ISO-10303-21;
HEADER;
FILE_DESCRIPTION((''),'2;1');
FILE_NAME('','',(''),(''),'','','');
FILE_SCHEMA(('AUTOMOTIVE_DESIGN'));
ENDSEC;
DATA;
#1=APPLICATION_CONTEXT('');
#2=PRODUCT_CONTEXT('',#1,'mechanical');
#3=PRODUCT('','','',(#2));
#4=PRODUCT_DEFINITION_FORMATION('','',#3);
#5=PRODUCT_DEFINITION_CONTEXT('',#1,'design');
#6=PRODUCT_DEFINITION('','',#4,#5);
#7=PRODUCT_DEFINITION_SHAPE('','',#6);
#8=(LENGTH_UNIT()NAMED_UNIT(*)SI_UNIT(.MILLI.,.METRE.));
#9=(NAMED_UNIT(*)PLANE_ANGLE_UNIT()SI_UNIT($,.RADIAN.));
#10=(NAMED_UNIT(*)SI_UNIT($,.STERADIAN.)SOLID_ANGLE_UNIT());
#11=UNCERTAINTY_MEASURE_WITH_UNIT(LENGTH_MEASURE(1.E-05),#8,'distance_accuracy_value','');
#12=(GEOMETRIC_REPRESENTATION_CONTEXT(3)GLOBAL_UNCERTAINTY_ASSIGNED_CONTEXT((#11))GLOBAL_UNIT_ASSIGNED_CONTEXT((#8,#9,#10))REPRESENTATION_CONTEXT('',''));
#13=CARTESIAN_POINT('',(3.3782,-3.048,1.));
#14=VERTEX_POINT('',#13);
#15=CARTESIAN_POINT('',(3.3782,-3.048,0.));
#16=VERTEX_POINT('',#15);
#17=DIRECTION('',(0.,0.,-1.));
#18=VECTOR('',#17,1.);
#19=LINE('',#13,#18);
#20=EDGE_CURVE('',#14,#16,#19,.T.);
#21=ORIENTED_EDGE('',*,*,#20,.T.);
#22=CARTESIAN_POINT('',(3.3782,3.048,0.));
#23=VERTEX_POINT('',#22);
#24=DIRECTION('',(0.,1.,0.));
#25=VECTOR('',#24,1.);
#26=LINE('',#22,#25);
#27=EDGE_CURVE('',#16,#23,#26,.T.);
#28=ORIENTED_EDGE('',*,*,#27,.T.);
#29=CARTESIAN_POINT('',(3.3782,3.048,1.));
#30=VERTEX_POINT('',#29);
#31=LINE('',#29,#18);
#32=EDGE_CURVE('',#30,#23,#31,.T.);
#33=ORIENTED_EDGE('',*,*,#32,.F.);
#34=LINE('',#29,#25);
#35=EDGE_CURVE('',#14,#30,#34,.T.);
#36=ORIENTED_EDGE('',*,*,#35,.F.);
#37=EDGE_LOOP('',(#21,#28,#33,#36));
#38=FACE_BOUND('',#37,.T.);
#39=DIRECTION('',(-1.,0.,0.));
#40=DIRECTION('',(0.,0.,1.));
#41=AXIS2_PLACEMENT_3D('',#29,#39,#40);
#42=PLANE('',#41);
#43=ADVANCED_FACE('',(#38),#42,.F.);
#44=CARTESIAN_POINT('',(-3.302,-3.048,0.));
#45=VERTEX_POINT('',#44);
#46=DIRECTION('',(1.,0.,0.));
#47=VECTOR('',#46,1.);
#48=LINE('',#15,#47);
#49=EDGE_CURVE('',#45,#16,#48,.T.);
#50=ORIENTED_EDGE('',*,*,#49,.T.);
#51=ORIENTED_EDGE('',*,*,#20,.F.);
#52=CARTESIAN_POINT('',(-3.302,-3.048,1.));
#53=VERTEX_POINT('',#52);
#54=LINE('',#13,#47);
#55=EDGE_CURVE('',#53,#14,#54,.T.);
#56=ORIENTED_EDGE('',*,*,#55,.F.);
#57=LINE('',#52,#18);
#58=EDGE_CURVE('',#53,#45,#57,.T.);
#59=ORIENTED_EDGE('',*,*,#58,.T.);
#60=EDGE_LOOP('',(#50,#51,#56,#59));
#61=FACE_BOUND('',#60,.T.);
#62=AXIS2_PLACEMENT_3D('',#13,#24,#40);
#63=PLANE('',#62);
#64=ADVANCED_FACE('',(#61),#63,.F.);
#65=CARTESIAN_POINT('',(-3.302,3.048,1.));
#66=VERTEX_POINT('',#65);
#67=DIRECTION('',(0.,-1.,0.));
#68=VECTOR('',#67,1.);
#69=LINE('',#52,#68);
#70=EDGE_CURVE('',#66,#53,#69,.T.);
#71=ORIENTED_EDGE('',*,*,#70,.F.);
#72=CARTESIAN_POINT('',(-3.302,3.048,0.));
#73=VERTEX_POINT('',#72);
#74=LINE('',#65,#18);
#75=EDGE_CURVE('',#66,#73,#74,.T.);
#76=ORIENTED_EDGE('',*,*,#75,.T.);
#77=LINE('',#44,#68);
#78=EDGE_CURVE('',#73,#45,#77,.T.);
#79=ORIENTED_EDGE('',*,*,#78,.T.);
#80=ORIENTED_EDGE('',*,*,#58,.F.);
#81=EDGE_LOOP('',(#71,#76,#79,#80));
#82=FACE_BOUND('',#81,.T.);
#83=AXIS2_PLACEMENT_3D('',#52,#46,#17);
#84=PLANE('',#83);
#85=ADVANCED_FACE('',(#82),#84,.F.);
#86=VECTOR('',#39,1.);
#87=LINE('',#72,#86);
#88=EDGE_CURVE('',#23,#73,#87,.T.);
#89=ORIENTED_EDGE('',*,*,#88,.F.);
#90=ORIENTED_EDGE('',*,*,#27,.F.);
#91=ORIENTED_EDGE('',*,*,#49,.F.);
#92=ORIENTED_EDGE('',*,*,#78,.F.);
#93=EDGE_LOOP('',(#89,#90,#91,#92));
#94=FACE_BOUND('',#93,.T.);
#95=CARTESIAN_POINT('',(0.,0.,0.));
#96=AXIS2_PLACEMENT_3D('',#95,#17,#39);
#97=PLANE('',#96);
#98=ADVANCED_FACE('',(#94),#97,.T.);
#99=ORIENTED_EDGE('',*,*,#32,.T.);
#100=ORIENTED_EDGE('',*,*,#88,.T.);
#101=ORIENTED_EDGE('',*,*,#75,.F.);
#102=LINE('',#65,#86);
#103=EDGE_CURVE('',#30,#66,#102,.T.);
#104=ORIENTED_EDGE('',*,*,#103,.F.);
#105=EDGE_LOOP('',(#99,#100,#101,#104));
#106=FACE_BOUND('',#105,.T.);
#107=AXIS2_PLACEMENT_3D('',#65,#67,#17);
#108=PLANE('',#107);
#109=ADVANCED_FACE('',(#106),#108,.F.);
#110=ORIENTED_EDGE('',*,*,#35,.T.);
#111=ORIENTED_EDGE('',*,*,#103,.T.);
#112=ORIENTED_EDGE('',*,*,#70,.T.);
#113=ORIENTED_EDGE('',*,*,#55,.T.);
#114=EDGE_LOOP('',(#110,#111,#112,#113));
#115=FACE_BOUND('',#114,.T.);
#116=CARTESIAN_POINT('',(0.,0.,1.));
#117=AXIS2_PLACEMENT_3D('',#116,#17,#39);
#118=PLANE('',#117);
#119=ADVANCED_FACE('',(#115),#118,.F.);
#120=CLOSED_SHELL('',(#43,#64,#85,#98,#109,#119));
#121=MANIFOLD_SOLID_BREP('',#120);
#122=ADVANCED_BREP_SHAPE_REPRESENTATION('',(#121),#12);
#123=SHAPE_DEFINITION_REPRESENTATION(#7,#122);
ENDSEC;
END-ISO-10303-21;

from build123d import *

# Parameters (mm, degrees)
SKIZZE1_W               = 6.6802
SKIZZE1_H               = 6.096
COMPONENT_OUTLINE_DEPTH = 1


with BuildPart() as part:
    # Skizze1 → Component_Outline (new body)
    with BuildSketch(Plane.XY):
        with Locations((0.0381, 0)):
            Rectangle(SKIZZE1_W, SKIZZE1_H)
    extrude(amount=COMPONENT_OUTLINE_DEPTH)


solid = part.part
